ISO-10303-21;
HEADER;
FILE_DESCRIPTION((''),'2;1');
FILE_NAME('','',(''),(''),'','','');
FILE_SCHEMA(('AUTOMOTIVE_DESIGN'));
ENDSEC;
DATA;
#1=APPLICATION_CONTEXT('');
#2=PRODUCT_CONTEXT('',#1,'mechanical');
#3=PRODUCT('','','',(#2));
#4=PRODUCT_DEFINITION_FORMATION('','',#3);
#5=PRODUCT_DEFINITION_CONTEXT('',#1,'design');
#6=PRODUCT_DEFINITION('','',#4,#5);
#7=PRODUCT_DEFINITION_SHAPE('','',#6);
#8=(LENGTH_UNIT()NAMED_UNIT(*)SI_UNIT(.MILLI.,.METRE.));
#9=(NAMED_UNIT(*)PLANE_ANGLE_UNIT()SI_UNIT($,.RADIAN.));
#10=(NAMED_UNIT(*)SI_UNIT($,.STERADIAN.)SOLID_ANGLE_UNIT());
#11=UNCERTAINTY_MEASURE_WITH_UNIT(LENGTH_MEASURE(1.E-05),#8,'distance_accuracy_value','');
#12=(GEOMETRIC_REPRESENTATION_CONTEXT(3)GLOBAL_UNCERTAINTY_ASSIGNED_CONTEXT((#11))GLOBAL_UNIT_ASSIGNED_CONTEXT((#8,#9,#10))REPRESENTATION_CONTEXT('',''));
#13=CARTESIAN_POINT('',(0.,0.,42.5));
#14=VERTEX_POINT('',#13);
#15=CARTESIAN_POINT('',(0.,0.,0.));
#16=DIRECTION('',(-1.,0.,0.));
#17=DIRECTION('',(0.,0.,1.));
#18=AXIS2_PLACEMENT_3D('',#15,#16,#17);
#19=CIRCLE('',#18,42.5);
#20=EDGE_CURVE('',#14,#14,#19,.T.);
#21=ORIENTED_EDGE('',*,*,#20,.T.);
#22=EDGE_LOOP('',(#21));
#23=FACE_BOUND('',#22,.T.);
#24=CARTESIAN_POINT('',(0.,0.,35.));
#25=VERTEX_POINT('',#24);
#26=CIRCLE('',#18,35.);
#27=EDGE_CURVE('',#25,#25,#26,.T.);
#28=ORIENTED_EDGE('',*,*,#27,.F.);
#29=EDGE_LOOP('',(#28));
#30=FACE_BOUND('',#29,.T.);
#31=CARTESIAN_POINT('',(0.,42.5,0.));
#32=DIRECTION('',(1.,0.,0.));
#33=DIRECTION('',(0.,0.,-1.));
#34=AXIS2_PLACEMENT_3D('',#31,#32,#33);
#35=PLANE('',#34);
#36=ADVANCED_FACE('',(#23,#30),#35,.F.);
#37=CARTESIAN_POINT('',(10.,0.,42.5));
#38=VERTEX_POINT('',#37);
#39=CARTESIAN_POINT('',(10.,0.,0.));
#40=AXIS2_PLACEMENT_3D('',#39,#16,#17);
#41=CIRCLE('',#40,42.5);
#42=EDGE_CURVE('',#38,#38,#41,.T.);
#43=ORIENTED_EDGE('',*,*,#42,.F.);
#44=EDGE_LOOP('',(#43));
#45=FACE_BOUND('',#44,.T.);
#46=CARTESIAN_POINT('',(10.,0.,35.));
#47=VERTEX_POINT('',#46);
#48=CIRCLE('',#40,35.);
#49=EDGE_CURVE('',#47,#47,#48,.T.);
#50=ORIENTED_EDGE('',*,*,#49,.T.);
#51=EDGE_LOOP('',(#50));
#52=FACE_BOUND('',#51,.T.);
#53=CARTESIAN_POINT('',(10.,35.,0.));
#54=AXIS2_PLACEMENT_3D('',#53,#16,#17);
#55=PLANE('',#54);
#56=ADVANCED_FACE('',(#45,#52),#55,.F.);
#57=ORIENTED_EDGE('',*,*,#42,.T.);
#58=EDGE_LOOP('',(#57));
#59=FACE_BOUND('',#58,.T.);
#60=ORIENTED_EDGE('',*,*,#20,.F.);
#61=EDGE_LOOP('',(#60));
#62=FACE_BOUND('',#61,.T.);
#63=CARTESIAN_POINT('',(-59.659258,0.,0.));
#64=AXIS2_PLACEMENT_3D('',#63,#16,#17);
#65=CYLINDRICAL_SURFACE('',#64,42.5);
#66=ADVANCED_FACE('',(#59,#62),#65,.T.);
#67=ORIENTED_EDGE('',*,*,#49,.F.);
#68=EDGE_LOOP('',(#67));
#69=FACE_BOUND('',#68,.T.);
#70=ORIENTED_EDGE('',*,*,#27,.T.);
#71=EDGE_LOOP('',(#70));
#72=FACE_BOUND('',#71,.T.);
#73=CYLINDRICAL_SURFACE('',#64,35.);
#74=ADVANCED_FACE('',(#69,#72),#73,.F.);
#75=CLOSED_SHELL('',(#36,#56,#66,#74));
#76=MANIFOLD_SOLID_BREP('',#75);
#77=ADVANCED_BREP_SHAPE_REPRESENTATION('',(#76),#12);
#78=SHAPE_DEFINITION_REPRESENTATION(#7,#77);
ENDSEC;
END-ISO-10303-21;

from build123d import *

# Parameters (mm, degrees)
SKETCH_1_W = 10
SKETCH_1_H = 7.5


with BuildPart() as part:
    # 草图1 → 旋转1 (revolve)
    with BuildSketch(Plane.XY, mode=Mode.PRIVATE) as revolve_1_sk:
        with Locations((5, 38.75)):
            Rectangle(SKETCH_1_W, SKETCH_1_H)
    revolve(revolve_1_sk.sketch.rotate(Axis((-59.659258107, 0, 0), (1, 0, 0)), 90), axis=Axis((-59.659258107, 0, 0), (1, 0, 0)))


solid = part.part
